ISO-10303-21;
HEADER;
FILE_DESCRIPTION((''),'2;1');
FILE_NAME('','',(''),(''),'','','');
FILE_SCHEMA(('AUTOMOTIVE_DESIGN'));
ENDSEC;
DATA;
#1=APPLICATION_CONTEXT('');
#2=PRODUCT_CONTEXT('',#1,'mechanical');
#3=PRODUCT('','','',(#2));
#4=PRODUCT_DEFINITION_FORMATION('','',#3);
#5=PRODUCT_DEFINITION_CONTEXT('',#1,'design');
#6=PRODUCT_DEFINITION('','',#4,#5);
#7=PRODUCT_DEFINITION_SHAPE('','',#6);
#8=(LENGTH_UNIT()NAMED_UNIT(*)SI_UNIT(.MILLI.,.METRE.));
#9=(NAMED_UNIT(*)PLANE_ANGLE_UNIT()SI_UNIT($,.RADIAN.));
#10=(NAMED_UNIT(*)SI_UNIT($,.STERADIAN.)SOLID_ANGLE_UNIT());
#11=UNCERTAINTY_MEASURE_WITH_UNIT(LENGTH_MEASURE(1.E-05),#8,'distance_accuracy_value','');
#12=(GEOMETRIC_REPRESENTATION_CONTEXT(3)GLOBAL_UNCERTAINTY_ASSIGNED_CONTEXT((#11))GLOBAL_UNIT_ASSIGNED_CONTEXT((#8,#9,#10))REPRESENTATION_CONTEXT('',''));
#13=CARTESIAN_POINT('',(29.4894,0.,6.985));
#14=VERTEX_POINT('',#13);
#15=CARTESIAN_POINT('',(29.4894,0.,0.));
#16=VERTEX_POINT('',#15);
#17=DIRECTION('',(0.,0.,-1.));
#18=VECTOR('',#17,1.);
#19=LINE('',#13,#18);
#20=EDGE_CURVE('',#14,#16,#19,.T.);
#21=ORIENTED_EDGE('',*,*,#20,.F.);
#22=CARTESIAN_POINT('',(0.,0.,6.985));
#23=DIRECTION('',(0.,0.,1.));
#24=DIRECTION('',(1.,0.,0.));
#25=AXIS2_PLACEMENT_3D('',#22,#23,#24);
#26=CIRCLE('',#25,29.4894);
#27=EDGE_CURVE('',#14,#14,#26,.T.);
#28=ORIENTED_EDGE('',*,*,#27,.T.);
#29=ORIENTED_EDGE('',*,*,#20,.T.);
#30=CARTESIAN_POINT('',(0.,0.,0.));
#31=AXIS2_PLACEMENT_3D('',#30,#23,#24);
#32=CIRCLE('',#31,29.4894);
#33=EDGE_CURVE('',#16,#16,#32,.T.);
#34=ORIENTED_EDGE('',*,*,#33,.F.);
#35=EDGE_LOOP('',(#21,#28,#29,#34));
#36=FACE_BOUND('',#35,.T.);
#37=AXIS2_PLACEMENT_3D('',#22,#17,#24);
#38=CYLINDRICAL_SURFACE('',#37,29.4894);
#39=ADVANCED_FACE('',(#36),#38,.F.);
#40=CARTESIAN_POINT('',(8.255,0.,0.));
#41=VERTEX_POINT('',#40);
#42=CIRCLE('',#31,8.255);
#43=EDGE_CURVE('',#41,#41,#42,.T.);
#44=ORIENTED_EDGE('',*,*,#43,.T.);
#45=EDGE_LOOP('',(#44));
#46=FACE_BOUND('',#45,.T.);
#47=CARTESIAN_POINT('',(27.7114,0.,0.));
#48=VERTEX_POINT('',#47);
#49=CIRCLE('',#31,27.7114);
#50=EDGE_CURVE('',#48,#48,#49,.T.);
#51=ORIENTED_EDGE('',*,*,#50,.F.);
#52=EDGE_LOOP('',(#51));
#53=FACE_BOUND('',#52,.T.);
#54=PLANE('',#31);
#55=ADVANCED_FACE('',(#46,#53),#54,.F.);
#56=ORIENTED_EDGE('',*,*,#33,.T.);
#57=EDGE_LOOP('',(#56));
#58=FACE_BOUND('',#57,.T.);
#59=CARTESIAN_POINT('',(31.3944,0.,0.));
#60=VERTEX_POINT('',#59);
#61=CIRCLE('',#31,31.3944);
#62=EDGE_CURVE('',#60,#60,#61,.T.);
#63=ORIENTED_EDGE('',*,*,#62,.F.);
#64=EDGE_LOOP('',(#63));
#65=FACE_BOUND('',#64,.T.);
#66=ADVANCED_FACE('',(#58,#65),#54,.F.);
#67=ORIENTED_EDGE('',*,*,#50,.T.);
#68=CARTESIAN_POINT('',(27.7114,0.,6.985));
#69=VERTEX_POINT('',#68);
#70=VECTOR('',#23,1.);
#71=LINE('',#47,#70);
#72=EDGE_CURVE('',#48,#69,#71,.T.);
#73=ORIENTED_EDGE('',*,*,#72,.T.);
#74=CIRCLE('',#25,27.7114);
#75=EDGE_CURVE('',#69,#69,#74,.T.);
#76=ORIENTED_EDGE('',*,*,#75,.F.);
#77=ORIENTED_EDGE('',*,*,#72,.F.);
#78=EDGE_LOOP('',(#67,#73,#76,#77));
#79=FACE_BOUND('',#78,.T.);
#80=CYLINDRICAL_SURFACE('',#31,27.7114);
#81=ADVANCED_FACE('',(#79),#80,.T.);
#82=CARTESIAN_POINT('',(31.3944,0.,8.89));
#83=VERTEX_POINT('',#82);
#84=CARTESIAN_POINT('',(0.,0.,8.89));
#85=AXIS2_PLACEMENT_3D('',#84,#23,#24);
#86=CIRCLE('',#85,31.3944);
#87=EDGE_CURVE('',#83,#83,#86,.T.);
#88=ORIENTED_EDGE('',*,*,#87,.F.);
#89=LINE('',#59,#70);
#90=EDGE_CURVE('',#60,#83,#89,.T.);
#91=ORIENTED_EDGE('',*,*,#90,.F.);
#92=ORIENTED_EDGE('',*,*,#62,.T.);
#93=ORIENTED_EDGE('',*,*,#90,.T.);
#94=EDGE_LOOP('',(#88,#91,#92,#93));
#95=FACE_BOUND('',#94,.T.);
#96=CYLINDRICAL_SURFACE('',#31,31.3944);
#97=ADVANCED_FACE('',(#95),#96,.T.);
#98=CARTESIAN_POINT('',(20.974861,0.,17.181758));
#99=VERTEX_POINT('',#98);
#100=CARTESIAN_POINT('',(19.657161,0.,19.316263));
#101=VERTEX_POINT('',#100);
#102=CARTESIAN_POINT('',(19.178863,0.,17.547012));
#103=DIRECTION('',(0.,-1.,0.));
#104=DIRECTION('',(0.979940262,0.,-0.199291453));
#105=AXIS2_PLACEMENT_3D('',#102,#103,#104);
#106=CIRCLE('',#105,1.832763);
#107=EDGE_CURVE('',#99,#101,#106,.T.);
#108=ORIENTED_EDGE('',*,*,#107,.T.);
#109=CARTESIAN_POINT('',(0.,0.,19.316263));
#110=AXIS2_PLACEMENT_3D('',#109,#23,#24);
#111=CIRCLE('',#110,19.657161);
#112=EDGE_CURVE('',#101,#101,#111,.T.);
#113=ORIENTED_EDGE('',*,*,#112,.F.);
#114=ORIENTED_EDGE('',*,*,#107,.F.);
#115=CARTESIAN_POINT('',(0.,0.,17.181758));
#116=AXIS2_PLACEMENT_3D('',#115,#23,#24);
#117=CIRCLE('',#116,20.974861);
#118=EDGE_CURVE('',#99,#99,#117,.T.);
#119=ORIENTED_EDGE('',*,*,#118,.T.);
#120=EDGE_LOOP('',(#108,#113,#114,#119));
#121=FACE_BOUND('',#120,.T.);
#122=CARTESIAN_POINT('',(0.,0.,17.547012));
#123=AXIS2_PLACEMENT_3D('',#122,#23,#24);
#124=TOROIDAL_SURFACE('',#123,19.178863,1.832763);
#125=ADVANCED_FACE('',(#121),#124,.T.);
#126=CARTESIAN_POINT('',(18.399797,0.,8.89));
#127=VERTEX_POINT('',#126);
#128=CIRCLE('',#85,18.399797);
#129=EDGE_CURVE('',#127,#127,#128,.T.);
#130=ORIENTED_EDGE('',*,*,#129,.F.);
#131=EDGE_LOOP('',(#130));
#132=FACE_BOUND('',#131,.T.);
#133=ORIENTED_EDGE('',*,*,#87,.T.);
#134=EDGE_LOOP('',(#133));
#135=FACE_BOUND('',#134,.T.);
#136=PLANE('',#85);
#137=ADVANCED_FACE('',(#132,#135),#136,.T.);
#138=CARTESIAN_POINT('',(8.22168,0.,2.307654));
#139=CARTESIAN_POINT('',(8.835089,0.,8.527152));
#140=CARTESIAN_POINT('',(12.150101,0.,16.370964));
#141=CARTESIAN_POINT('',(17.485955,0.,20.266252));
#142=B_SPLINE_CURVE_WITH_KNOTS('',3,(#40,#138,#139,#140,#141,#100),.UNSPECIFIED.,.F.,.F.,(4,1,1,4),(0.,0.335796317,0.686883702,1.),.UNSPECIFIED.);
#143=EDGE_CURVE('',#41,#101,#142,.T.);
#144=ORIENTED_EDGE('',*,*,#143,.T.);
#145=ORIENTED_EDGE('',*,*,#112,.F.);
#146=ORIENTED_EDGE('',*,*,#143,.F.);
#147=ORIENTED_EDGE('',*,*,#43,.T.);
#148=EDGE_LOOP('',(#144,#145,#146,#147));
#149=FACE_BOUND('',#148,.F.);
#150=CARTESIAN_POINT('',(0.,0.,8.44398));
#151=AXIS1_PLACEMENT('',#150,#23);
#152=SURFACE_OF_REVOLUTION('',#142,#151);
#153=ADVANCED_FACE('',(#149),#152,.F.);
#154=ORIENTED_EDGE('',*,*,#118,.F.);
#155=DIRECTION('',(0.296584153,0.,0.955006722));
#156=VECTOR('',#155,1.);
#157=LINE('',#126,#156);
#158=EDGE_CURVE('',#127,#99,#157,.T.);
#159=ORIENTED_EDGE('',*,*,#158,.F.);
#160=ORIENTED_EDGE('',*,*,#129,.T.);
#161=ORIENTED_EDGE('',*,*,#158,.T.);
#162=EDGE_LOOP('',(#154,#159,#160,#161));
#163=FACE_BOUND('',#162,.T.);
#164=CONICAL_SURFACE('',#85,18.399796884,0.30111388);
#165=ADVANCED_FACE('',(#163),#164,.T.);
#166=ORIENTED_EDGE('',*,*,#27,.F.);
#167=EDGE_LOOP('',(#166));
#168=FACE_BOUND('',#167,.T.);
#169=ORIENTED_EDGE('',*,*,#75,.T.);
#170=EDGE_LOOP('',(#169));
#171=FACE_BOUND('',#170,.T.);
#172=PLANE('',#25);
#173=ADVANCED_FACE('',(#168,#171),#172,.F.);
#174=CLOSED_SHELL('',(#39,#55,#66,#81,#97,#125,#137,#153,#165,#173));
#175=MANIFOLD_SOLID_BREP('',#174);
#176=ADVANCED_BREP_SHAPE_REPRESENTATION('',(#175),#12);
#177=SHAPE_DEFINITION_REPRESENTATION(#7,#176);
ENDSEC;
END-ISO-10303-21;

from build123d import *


with BuildPart() as f1:
    # F0 (on Front) → F1 (revolve)
    with BuildSketch(Plane.XZ):
        with BuildLine():
            add(Edge.make_bspline(
                [(8.255, 0), (8.2216796153, 2.3076537954), (8.8350885951, 8.5271520648), (12.1501012783, 16.3709643576), (17.4859554214, 20.2662519854), (19.6571610868, 19.3162634969)],
                knots=[0, 0, 0, 0, 0.3357963175, 0.6868837016, 1, 1, 1, 1], degree=3))
            Line((8.255, 0), (27.7114, 0))
            Line((27.7114, 0), (27.7114, 6.985))
            Line((27.7114, 6.985), (29.4894, 6.985))
            Line((29.4894, 6.985), (29.4894, 0))
            Line((29.4894, 0), (31.3944, 0))
            Line((31.3944, 0), (31.3944, 8.89))
            Line((31.3944, 8.89), (18.3997968841, 8.89))
            Line((18.3997968841, 8.89), (20.9748614579, 17.1817578375))
            ThreePointArc((20.9748614579, 17.1817578375), (20.7383933614, 18.509760988), (19.6571610868, 19.3162634969))
        make_face()
    revolve(axis=Axis((0, 0, 8.4439804778), (0, 0, 1)))


solid = f1.part
